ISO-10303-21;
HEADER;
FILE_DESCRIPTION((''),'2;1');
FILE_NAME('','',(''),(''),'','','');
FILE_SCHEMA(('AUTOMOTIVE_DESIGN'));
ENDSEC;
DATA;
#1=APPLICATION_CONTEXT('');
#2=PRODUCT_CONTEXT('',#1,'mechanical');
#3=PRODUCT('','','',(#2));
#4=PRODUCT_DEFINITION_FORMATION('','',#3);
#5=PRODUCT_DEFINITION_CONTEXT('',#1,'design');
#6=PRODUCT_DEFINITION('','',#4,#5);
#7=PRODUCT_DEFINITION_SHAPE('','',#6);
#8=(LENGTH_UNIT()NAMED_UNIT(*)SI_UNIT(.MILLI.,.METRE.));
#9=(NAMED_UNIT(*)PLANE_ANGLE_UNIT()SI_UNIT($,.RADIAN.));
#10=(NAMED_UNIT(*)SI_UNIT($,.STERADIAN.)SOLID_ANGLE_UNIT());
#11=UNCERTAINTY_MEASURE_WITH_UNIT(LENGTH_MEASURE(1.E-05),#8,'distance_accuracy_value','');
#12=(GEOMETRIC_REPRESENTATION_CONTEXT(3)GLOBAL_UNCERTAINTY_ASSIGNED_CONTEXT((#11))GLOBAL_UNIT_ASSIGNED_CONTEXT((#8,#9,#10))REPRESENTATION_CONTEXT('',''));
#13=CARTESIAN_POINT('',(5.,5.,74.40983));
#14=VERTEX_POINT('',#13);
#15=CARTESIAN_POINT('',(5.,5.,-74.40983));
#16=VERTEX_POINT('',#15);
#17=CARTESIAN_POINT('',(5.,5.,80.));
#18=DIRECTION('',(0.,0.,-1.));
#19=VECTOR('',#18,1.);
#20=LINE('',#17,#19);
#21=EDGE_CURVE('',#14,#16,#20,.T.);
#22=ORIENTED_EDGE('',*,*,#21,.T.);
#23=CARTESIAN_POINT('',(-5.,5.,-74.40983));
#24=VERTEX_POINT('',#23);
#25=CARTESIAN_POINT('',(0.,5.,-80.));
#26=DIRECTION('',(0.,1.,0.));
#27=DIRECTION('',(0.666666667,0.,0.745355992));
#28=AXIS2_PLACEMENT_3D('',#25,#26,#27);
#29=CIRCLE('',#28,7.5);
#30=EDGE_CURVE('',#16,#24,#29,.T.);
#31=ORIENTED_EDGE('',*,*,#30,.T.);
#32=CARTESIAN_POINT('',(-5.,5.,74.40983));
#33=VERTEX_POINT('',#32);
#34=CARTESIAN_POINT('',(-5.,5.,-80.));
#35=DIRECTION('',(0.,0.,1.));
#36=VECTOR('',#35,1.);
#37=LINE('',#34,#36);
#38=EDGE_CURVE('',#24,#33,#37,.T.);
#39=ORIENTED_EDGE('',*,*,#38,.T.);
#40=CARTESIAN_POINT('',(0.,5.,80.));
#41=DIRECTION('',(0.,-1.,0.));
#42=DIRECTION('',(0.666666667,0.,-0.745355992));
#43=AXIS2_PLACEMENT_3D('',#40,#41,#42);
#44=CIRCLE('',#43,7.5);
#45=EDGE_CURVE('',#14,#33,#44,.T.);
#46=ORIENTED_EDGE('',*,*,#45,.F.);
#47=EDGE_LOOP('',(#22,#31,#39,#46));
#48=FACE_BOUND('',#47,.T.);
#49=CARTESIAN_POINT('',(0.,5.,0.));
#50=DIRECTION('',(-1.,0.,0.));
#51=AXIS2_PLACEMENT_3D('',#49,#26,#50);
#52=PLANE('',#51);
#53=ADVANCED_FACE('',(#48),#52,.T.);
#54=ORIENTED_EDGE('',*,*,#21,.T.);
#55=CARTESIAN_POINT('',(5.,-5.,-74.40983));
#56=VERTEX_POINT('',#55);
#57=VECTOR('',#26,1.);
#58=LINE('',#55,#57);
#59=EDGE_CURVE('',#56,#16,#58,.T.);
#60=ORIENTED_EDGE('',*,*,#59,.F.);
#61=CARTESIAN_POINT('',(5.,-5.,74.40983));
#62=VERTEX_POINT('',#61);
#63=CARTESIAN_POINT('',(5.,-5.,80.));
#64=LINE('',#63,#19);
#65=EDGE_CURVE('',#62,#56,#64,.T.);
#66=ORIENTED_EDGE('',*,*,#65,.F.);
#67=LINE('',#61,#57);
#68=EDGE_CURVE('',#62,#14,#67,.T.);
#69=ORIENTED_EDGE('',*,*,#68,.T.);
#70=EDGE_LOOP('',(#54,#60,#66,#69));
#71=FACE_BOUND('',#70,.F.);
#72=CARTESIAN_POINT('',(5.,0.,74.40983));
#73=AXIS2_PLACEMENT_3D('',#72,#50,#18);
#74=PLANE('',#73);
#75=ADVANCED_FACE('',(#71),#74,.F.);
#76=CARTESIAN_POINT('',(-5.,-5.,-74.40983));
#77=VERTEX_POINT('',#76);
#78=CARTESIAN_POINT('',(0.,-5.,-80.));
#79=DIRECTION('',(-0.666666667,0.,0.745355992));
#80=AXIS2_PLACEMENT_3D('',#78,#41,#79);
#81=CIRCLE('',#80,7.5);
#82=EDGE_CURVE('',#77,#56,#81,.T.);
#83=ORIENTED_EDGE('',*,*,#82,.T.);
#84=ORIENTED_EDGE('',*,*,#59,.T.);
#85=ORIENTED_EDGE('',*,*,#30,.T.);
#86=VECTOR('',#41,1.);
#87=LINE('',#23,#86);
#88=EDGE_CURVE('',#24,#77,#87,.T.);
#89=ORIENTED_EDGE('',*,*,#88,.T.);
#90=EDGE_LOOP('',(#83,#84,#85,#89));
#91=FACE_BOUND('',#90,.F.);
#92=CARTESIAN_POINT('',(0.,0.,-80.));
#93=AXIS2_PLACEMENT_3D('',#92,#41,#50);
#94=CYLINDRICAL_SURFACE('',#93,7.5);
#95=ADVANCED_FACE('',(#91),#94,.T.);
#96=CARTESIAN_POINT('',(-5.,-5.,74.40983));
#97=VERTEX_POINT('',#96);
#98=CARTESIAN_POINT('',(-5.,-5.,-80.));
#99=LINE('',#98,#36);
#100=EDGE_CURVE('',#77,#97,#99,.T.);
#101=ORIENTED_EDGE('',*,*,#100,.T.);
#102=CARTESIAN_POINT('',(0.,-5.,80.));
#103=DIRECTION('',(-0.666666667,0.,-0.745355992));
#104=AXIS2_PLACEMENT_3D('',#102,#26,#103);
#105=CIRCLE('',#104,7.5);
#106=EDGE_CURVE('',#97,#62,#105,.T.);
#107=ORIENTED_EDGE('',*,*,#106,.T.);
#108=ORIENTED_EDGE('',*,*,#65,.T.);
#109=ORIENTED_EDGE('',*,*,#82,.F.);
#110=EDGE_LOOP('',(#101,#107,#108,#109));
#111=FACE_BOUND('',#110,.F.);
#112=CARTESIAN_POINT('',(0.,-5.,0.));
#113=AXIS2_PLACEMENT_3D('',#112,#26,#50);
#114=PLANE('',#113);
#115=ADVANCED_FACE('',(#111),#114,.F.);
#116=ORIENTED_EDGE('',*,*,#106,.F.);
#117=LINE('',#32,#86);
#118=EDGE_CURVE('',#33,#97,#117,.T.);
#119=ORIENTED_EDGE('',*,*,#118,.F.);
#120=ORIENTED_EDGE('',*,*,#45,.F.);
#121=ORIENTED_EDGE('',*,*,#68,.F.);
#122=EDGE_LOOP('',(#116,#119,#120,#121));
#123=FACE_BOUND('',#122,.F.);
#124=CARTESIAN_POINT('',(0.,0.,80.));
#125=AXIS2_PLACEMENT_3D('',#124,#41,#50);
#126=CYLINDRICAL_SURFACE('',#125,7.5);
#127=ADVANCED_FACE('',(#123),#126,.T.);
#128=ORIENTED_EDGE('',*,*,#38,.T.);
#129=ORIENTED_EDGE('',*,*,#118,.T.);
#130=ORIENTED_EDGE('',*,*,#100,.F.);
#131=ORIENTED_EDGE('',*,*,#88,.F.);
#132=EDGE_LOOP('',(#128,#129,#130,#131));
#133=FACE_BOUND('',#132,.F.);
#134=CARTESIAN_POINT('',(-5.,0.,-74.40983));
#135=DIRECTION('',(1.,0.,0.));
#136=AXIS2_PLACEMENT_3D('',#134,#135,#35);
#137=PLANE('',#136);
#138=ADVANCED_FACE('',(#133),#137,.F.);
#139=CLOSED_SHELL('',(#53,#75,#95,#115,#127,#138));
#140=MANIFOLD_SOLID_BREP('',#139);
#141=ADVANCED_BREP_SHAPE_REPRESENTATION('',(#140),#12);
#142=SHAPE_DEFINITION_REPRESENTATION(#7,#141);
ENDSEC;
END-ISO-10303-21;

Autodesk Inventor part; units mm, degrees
ref_plane "YZ Plane" through (0, 0, 0) normal (1, 0, 0) x (0, 1, 0)
ref_plane "XZ Plane" through (0, 0, 0) normal (0, 1, 0) x (-1, 0, 0)
ref_plane "XY Plane" through (0, 0, 0) normal (0, 0, 1) x (1, 0, 0)
sketch "スケッチ1" plane through (0, 0, 0) normal (0, 1, 0) x (-1, 0, 0)
  circle A0 centre (0, 80) radius 7.5
  circle A1 centre (0, -80) radius 7.5
  line L0 (5, 80) -> (-5, 80)
  line L1 (-5, 80) -> (-5, -80)
  line L2 (-5, -80) -> (5, -80)
  line L3 (5, -80) -> (5, 80)
  point P0 (0, 0)
  point P1 (5, -74.4098)
  point P2 (5, 74.4098)
  point P3 (-5, 74.4098)
  point P4 (-5, -74.4098)
  dimension "d0" = 160
  dimension "d1" = 5
  dimension "d2" = 10
  dimension "d3" = 80
  dimension "d4" = 0
  dimension "d5" = 0
  dimension "d6" = 15
  dimension "d7" = 15
extrude "押し出し1" add sketch "スケッチ1" along normal blind 5 and the other way blind 5
properties part number "link_wp2kp"
